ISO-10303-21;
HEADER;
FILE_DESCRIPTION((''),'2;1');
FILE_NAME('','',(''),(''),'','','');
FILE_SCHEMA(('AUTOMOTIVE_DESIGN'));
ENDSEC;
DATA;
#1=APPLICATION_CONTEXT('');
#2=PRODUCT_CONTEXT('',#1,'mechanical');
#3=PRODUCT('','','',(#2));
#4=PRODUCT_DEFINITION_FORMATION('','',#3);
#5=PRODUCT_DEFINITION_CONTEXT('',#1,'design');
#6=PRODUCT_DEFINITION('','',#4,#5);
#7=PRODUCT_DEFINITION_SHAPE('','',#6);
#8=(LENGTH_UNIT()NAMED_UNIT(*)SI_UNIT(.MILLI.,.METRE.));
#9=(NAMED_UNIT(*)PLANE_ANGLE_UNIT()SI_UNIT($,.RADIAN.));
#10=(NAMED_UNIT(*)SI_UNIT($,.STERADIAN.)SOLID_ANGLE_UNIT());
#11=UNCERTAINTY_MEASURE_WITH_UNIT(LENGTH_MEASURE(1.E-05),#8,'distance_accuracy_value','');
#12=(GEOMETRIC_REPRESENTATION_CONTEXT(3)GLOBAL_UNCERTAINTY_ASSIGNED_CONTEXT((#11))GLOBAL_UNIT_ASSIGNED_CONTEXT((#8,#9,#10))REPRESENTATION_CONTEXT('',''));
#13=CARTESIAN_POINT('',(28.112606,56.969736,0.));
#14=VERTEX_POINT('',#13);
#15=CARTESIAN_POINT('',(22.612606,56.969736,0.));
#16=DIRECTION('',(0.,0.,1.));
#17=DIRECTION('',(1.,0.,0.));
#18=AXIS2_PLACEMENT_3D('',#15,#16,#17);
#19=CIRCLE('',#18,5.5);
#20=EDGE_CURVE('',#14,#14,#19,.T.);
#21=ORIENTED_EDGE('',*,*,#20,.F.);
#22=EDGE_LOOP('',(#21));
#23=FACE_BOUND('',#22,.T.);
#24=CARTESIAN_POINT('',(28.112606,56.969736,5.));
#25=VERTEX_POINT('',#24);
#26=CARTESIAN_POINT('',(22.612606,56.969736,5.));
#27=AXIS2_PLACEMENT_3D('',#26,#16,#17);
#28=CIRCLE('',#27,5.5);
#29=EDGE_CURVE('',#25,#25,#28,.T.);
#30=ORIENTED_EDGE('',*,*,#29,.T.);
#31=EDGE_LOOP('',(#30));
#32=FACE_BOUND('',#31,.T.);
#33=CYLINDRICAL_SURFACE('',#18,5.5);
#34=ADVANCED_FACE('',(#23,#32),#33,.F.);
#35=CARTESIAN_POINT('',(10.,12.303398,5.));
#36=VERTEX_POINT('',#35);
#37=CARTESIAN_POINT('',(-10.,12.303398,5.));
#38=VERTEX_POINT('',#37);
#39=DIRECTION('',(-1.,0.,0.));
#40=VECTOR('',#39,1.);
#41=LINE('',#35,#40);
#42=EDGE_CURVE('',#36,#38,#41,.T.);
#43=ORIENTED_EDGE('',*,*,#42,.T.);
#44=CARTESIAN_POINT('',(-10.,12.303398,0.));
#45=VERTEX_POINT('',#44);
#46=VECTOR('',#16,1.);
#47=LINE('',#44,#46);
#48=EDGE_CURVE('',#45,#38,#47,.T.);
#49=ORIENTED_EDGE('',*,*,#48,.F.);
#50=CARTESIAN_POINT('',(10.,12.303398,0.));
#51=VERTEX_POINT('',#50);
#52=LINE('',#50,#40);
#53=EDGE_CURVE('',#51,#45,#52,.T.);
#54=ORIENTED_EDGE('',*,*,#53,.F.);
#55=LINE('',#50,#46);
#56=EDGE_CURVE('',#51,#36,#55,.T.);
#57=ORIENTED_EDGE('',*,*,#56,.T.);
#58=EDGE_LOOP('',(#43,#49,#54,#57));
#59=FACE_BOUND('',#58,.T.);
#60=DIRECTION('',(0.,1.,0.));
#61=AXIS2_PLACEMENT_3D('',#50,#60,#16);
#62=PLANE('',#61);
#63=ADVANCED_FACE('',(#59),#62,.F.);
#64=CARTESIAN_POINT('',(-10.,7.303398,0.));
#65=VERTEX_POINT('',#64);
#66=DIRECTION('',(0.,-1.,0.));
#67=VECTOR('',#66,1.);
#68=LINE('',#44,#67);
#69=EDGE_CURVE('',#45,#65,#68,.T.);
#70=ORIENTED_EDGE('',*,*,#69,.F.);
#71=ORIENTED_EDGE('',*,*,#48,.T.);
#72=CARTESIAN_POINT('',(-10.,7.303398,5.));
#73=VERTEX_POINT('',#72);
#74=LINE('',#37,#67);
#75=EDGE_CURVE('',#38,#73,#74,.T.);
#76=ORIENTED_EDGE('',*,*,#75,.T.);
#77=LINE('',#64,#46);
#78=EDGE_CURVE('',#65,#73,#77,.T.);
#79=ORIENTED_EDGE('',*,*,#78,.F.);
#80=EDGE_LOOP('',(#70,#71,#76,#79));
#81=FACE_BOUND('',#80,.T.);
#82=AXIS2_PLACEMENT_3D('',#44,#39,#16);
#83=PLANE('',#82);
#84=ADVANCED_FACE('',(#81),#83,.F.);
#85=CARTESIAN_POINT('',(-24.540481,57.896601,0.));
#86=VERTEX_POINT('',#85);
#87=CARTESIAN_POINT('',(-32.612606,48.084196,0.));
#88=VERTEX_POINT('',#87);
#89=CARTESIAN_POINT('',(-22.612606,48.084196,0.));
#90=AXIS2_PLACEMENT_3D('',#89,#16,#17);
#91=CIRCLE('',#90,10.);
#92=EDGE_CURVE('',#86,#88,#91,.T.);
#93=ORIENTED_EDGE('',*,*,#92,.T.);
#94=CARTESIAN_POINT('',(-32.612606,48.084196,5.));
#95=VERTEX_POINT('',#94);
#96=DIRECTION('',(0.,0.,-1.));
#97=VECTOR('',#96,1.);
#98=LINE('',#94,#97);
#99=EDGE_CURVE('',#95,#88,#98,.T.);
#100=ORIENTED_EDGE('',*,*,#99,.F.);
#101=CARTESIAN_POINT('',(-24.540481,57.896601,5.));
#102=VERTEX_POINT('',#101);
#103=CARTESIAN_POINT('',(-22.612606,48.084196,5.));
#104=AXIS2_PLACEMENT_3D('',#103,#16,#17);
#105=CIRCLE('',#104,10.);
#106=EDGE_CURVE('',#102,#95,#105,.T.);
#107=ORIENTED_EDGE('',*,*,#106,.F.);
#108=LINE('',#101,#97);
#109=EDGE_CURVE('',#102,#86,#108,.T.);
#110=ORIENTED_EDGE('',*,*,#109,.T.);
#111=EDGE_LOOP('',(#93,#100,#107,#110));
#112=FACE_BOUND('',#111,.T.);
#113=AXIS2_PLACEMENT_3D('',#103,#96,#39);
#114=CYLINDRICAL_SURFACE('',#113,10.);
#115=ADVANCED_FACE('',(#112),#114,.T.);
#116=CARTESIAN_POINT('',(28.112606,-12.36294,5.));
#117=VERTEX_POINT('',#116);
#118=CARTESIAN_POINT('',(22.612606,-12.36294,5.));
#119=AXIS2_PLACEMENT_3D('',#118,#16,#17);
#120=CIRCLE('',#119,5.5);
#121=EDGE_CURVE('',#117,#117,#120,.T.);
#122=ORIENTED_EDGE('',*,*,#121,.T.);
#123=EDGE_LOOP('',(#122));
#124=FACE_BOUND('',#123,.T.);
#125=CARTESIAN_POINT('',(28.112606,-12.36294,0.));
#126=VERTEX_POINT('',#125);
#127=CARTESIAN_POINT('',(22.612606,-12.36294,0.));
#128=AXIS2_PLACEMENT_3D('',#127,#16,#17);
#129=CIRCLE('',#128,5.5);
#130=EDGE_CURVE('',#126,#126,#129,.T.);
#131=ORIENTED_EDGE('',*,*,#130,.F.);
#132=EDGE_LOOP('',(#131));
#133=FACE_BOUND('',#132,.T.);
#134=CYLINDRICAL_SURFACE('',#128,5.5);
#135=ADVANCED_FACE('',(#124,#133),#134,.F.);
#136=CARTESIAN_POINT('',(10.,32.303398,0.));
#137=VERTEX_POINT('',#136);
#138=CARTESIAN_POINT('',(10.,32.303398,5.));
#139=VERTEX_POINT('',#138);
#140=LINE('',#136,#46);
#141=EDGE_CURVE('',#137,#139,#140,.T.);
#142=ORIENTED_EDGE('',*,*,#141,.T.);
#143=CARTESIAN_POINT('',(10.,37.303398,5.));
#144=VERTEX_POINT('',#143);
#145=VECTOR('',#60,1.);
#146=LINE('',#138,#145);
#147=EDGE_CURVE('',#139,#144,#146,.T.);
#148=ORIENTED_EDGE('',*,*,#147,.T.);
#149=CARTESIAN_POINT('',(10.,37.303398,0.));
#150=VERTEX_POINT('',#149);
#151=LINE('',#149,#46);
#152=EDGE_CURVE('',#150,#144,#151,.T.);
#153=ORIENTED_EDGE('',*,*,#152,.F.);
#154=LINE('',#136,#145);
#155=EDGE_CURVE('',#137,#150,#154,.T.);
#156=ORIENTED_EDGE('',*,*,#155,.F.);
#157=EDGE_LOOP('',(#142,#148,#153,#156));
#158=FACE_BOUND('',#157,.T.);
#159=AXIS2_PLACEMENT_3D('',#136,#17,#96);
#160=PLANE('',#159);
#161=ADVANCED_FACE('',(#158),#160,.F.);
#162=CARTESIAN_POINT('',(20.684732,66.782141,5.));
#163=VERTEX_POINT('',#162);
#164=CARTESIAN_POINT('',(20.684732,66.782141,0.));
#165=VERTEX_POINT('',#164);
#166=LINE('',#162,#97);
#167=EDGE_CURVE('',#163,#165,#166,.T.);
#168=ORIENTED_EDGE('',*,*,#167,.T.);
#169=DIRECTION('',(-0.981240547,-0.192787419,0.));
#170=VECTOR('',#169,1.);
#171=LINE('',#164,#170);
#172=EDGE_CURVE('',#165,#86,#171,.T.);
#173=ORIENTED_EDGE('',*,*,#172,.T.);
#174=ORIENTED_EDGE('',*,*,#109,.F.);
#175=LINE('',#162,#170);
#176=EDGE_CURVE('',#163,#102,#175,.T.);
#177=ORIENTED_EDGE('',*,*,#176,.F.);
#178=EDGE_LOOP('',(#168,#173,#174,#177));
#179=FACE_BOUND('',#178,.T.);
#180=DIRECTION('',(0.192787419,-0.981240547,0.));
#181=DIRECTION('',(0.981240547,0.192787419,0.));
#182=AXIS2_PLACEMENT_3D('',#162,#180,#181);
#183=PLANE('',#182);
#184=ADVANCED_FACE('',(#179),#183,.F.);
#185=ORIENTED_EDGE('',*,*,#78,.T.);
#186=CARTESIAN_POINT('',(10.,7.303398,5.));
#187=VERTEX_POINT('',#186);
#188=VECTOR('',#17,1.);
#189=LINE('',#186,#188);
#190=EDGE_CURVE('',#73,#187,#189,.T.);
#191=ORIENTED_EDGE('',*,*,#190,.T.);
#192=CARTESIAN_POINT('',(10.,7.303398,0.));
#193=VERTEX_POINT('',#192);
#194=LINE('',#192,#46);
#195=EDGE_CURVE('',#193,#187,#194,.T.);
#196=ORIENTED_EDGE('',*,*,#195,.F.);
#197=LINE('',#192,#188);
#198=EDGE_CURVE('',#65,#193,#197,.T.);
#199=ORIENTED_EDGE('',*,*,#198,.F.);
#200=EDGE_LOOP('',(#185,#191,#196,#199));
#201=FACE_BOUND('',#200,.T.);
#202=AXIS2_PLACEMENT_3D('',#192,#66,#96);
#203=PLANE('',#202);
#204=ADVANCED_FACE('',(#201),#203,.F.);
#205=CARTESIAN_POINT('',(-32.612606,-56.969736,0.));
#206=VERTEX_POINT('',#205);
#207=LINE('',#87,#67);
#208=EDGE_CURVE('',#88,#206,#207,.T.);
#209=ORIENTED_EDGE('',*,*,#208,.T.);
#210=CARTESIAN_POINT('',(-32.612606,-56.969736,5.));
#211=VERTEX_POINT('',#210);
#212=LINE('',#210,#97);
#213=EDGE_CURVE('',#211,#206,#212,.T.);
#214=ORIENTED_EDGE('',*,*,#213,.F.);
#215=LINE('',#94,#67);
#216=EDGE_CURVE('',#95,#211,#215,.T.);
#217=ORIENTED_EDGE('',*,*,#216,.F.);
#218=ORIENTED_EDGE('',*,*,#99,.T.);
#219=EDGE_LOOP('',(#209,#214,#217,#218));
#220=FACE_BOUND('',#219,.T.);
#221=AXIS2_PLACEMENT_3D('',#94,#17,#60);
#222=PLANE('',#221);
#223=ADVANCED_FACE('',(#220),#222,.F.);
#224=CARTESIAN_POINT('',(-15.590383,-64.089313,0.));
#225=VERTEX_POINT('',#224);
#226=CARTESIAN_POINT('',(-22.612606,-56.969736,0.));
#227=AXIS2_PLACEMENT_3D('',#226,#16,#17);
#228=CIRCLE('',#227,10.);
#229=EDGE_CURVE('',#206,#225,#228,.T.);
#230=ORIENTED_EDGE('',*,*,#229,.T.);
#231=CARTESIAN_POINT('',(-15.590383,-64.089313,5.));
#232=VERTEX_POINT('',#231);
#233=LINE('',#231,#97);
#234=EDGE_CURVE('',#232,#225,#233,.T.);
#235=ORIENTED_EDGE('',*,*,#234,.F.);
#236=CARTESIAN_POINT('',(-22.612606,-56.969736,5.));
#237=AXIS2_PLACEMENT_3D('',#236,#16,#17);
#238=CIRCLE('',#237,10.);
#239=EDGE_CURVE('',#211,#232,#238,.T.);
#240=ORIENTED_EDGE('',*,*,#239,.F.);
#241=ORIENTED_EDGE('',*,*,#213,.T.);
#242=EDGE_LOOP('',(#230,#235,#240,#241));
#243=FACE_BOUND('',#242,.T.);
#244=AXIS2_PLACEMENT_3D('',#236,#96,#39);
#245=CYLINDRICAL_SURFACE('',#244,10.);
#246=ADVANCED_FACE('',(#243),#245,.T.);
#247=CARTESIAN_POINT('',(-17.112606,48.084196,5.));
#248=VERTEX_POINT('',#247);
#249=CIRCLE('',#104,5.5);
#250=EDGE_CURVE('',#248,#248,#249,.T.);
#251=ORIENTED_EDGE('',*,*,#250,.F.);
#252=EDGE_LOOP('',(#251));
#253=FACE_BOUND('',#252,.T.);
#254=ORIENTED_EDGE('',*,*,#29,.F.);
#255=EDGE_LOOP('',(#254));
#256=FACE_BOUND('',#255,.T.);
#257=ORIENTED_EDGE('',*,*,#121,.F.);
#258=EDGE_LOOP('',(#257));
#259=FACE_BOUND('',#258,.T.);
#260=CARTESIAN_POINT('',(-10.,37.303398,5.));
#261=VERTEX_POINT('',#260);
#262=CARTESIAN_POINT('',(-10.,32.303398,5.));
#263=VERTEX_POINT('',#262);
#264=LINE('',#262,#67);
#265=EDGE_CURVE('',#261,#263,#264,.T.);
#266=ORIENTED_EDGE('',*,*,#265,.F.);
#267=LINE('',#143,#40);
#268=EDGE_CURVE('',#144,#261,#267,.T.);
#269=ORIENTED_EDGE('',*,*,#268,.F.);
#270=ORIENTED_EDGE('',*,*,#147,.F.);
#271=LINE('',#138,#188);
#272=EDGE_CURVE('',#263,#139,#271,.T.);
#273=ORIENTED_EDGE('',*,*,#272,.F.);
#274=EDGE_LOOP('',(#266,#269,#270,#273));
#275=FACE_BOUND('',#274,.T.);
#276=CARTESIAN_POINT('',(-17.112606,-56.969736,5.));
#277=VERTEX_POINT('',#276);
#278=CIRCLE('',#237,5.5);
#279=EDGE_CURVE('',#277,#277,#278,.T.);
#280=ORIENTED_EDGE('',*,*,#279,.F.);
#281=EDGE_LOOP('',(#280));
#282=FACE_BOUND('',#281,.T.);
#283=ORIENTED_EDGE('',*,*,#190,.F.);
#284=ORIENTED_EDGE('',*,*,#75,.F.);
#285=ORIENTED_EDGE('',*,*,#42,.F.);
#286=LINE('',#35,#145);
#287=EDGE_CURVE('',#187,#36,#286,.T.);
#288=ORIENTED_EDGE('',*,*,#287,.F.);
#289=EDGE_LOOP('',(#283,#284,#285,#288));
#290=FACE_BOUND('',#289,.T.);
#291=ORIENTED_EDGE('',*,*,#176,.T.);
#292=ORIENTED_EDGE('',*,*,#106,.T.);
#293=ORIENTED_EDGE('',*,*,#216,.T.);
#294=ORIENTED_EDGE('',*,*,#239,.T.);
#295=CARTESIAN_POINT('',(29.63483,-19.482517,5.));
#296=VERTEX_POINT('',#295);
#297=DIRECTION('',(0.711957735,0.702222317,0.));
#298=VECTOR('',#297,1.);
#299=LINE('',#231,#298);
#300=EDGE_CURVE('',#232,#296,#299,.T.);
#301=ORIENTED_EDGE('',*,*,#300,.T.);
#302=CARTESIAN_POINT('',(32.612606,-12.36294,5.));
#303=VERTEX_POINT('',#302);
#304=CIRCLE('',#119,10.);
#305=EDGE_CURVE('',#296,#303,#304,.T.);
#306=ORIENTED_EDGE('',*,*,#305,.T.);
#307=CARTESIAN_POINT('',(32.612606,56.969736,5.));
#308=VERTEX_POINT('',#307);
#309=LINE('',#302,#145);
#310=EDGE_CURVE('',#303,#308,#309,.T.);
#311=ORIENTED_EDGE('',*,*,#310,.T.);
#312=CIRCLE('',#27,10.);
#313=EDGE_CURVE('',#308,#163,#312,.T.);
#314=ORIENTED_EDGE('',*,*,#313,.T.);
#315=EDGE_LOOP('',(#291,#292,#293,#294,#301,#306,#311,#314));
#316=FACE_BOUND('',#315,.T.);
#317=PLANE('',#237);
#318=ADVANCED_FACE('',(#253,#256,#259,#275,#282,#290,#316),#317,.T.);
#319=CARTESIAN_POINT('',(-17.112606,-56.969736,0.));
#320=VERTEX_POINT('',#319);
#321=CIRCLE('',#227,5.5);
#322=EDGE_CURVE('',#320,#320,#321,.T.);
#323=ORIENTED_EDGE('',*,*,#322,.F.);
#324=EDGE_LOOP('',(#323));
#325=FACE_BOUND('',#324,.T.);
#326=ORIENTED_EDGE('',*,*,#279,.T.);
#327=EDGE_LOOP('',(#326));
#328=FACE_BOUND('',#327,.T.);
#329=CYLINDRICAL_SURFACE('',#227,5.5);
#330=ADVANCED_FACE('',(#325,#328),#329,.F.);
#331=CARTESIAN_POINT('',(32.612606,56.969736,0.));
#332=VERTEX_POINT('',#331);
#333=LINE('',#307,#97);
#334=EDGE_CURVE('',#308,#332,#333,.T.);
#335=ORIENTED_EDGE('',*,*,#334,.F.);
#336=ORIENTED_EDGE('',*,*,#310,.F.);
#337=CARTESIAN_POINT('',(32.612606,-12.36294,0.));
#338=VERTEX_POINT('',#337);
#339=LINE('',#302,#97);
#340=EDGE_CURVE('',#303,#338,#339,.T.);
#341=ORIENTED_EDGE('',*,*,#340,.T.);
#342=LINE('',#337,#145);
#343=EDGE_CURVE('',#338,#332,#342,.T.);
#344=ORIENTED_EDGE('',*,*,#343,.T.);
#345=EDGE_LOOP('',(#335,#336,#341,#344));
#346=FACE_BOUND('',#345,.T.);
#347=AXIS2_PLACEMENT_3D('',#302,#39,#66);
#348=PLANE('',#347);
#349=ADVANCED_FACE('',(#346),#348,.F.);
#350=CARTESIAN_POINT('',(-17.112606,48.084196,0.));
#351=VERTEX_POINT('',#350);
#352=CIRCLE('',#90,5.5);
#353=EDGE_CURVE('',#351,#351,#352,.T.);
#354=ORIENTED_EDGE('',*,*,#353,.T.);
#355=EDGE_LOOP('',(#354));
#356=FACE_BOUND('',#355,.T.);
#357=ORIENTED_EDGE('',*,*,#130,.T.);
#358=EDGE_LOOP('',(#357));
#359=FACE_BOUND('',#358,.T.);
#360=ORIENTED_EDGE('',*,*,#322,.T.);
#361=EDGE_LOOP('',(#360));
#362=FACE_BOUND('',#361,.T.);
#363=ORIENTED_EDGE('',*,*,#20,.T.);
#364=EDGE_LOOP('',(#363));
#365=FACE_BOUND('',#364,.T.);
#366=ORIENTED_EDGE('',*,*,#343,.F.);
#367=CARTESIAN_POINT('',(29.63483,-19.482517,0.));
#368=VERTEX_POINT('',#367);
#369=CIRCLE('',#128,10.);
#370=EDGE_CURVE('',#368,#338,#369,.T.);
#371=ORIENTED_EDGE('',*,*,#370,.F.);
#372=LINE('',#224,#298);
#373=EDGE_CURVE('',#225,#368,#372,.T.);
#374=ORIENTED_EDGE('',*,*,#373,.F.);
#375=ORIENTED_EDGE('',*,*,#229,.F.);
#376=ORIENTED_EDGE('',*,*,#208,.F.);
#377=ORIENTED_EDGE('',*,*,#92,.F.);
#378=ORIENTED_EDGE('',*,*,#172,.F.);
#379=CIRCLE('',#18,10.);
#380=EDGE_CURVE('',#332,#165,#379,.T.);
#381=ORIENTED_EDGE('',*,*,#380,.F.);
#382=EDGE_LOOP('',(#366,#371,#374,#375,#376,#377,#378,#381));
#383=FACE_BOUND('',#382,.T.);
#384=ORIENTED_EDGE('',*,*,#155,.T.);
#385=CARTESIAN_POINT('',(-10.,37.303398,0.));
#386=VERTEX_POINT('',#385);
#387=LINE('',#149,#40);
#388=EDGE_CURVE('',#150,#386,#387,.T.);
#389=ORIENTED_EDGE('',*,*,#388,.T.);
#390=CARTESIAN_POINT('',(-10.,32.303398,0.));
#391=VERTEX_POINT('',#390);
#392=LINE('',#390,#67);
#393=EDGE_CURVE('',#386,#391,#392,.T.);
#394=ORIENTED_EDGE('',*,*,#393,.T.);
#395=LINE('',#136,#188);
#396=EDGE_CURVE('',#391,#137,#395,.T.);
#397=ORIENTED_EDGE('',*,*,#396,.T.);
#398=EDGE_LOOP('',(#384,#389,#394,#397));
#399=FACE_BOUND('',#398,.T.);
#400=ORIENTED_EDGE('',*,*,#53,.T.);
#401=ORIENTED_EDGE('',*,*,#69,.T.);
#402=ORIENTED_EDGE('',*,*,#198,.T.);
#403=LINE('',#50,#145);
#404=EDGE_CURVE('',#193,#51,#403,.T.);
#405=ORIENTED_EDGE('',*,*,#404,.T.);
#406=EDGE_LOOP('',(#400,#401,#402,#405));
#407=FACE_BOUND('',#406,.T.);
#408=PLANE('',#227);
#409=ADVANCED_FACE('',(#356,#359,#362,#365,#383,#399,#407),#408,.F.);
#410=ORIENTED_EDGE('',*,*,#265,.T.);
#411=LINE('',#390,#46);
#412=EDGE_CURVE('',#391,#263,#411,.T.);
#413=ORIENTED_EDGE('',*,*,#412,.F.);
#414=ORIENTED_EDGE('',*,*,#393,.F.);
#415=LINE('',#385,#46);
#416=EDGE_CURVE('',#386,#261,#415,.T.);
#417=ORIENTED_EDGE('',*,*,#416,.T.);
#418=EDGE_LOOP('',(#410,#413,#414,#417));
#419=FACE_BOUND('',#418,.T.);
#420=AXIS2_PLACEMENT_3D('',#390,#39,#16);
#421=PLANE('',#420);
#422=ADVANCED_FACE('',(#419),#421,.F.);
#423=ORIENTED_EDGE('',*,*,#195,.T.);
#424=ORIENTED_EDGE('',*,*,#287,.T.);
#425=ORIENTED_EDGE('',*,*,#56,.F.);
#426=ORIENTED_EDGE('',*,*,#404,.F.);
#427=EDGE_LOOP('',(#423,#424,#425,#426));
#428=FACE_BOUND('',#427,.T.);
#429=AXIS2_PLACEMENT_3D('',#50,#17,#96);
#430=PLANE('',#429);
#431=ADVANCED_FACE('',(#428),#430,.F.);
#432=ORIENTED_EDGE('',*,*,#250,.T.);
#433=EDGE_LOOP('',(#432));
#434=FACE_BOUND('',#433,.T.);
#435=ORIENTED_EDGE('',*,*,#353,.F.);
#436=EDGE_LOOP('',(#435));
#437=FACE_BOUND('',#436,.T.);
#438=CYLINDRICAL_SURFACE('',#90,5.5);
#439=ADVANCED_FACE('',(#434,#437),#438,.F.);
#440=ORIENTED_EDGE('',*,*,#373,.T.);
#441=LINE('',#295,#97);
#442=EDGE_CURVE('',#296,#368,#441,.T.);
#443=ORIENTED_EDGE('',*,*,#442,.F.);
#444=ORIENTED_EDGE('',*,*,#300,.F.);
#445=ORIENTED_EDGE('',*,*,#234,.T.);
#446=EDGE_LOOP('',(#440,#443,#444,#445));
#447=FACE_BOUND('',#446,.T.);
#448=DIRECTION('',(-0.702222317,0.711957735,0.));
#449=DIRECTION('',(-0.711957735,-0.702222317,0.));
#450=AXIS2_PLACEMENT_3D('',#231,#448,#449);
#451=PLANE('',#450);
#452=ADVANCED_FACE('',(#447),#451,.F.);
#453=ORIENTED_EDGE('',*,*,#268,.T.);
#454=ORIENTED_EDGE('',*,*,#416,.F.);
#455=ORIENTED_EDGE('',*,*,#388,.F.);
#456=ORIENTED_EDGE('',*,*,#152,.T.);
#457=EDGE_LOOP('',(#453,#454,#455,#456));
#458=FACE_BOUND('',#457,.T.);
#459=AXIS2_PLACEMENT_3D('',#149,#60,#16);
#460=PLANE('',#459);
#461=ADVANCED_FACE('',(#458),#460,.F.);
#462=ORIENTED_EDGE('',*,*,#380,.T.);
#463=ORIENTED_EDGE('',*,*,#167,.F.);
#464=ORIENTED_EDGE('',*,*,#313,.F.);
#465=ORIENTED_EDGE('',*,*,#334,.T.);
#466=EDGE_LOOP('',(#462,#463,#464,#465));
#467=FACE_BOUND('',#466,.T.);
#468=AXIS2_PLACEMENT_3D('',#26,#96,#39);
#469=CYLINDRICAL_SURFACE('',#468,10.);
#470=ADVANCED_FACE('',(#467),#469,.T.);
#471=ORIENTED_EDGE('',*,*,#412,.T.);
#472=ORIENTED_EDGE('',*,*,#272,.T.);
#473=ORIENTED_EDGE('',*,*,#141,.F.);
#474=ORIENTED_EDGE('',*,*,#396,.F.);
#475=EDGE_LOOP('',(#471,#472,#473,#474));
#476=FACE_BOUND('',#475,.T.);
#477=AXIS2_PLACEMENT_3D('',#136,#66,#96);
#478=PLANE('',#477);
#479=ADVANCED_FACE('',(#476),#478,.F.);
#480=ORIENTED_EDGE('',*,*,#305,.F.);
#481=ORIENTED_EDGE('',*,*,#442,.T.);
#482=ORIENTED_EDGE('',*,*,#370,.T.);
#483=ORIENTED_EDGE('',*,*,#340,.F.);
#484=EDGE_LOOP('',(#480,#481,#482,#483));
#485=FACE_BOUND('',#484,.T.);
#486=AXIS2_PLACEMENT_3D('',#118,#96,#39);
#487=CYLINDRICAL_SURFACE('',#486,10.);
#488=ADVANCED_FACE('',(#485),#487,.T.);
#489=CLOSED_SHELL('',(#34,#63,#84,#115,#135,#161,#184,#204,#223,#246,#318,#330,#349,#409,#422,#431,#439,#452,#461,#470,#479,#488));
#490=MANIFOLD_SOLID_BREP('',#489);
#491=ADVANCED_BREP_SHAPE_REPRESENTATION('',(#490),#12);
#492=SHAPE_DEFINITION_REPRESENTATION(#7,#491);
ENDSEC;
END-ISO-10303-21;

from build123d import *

# Parameters (mm, degrees)
EXTRUDE_1_DEPTH     = 5
SKETCH_2_W          = 20
SKETCH_2_H          = 5
CUT_EXTRUDE_1_DEPTH = 75.656062131
SKETCH_3_R          = 5.5
CUT_EXTRUDE_2_DEPTH = 75.656062131


with BuildPart() as part:
    # Эскиз1 → Бобышка-Вытянуть1 (new body)
    with BuildSketch(Plane.XY):
        with BuildLine():
            Line((-15.590383156, -64.089313216), (29.634829502, -19.482516982))
            ThreePointArc((29.634829502, -19.482516982), (31.838174922, -16.221551312), (32.612606329, -12.362939627))
            Line((32.612606329, -12.362939627), (32.612606329, 56.969735861))
            ThreePointArc((32.612606329, 56.969735861), (28.965607908, 64.692388963), (20.684732142, 66.782141332))
            Line((20.684732142, 66.782141332), (-24.540480515, 57.896601459))
            ThreePointArc((-24.540480515, 57.896601459), (-30.335259431, 54.437197567), (-32.612606329, 48.084195988))
            Line((-32.612606329, 48.084195988), (-32.612606329, -56.969735861))
            ThreePointArc((-32.612606329, -56.969735861), (-26.471218014, -66.195304454), (-15.590383156, -64.089313216))
        make_face()
    extrude(amount=EXTRUDE_1_DEPTH)

    # Эскиз2 → Вырез-Вытянуть1 (cut, through all)
    with BuildSketch(Plane.XY.offset(5)):
        with Locations((0, 34.803398117)):
            Rectangle(SKETCH_2_W, SKETCH_2_H)
        with Locations((0, 9.803398117)):
            Rectangle(SKETCH_2_W, SKETCH_2_H)
    extrude(amount=-CUT_EXTRUDE_1_DEPTH, mode=Mode.SUBTRACT)

    # Эскиз3 → Вырез-Вытянуть2 (cut, through all)
    with BuildSketch(Plane.XY.offset(5)):
        with Locations((22.612606329, 56.969735861)):
            Circle(SKETCH_3_R)
        with Locations((-22.612606329, -56.969735861)):
            Circle(SKETCH_3_R)
        with Locations((-22.612606329, 48.084195988)):
            Circle(SKETCH_3_R)
        with Locations((22.612606329, -12.362939627)):
            Circle(SKETCH_3_R)
    extrude(amount=-CUT_EXTRUDE_2_DEPTH, mode=Mode.SUBTRACT)


solid = part.part
